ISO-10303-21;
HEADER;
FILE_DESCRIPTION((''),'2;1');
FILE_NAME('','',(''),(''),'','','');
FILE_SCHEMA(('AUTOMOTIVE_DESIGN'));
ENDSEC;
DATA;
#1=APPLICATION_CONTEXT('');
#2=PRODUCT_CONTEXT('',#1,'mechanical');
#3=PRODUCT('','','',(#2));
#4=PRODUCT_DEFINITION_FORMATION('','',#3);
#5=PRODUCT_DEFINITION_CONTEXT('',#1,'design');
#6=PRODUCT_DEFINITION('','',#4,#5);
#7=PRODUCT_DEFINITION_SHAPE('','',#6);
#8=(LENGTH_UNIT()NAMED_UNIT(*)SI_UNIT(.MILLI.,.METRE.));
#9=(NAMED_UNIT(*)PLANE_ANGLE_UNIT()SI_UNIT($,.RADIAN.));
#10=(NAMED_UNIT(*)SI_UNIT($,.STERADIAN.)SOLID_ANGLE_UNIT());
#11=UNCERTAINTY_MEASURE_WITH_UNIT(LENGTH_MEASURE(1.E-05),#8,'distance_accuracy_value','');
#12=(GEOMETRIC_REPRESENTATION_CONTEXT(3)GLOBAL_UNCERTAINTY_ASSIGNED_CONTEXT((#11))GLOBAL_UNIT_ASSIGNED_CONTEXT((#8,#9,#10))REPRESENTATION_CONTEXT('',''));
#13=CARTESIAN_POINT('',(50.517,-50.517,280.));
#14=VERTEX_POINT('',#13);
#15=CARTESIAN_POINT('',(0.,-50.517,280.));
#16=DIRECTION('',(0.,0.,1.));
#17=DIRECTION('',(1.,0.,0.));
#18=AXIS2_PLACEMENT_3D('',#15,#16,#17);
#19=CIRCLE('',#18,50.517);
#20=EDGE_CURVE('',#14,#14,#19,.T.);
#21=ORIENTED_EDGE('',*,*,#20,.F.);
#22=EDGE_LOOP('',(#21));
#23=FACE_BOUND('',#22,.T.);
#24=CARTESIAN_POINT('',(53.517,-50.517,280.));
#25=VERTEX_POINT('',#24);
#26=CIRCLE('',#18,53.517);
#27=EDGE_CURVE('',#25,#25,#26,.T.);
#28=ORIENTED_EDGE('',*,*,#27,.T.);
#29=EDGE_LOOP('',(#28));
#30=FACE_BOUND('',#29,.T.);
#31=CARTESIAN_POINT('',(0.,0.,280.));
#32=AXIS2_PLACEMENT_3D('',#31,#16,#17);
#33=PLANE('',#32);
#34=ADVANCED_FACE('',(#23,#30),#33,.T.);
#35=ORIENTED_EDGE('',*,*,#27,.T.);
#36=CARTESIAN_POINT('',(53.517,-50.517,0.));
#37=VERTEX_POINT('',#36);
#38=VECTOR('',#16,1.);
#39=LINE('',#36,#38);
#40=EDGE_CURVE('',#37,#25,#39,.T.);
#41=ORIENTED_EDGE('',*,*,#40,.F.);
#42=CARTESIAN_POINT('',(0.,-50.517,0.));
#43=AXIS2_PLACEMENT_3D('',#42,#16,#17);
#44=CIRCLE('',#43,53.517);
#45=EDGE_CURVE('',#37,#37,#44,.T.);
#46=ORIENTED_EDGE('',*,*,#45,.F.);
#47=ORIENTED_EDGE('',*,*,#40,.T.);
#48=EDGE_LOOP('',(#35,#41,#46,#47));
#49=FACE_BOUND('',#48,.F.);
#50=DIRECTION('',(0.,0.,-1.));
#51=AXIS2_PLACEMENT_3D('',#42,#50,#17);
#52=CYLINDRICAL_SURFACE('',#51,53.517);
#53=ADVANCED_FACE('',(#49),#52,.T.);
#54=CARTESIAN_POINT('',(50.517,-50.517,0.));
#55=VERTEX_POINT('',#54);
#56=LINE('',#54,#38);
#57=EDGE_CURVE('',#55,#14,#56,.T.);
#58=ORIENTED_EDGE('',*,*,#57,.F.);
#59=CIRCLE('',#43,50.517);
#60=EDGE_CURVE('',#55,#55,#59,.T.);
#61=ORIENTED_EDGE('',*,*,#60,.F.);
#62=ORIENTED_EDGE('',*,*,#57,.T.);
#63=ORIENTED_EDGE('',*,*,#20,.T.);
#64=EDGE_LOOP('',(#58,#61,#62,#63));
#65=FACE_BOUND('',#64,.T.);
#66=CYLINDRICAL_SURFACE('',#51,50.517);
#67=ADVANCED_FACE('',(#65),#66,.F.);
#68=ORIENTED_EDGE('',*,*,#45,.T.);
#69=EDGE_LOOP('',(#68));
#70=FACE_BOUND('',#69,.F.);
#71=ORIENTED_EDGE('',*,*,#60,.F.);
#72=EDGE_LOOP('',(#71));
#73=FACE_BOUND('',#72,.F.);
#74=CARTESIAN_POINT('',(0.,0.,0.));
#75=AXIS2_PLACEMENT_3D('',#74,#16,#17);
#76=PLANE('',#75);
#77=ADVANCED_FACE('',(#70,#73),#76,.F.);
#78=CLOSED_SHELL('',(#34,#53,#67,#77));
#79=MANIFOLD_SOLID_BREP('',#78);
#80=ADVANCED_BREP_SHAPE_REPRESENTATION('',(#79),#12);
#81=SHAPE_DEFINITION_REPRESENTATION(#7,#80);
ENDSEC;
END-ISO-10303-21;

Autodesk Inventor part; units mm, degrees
ref_plane "YZ Plane" through (0, 0, 0) normal (1, 0, 0) x (0, 1, 0)
ref_plane "XZ Plane" through (0, 0, 0) normal (0, 1, 0) x (-1, 0, 0)
ref_plane "XY Plane" through (0, 0, 0) normal (0, 0, 1) x (1, 0, 0)
sketch "Sketch1" plane through (0, 0, 0) normal (0, 0, 1) x (1, 0, 0)
  circle A0 centre (0, -50.517) radius 53.517 projected
  circle A1 centre (0, -50.517) radius 50.517 projected
  point P0 (0, 0)
extrude "Extrusion1" add sketch "Sketch1" along normal blind 280
properties part number "frontchute"
